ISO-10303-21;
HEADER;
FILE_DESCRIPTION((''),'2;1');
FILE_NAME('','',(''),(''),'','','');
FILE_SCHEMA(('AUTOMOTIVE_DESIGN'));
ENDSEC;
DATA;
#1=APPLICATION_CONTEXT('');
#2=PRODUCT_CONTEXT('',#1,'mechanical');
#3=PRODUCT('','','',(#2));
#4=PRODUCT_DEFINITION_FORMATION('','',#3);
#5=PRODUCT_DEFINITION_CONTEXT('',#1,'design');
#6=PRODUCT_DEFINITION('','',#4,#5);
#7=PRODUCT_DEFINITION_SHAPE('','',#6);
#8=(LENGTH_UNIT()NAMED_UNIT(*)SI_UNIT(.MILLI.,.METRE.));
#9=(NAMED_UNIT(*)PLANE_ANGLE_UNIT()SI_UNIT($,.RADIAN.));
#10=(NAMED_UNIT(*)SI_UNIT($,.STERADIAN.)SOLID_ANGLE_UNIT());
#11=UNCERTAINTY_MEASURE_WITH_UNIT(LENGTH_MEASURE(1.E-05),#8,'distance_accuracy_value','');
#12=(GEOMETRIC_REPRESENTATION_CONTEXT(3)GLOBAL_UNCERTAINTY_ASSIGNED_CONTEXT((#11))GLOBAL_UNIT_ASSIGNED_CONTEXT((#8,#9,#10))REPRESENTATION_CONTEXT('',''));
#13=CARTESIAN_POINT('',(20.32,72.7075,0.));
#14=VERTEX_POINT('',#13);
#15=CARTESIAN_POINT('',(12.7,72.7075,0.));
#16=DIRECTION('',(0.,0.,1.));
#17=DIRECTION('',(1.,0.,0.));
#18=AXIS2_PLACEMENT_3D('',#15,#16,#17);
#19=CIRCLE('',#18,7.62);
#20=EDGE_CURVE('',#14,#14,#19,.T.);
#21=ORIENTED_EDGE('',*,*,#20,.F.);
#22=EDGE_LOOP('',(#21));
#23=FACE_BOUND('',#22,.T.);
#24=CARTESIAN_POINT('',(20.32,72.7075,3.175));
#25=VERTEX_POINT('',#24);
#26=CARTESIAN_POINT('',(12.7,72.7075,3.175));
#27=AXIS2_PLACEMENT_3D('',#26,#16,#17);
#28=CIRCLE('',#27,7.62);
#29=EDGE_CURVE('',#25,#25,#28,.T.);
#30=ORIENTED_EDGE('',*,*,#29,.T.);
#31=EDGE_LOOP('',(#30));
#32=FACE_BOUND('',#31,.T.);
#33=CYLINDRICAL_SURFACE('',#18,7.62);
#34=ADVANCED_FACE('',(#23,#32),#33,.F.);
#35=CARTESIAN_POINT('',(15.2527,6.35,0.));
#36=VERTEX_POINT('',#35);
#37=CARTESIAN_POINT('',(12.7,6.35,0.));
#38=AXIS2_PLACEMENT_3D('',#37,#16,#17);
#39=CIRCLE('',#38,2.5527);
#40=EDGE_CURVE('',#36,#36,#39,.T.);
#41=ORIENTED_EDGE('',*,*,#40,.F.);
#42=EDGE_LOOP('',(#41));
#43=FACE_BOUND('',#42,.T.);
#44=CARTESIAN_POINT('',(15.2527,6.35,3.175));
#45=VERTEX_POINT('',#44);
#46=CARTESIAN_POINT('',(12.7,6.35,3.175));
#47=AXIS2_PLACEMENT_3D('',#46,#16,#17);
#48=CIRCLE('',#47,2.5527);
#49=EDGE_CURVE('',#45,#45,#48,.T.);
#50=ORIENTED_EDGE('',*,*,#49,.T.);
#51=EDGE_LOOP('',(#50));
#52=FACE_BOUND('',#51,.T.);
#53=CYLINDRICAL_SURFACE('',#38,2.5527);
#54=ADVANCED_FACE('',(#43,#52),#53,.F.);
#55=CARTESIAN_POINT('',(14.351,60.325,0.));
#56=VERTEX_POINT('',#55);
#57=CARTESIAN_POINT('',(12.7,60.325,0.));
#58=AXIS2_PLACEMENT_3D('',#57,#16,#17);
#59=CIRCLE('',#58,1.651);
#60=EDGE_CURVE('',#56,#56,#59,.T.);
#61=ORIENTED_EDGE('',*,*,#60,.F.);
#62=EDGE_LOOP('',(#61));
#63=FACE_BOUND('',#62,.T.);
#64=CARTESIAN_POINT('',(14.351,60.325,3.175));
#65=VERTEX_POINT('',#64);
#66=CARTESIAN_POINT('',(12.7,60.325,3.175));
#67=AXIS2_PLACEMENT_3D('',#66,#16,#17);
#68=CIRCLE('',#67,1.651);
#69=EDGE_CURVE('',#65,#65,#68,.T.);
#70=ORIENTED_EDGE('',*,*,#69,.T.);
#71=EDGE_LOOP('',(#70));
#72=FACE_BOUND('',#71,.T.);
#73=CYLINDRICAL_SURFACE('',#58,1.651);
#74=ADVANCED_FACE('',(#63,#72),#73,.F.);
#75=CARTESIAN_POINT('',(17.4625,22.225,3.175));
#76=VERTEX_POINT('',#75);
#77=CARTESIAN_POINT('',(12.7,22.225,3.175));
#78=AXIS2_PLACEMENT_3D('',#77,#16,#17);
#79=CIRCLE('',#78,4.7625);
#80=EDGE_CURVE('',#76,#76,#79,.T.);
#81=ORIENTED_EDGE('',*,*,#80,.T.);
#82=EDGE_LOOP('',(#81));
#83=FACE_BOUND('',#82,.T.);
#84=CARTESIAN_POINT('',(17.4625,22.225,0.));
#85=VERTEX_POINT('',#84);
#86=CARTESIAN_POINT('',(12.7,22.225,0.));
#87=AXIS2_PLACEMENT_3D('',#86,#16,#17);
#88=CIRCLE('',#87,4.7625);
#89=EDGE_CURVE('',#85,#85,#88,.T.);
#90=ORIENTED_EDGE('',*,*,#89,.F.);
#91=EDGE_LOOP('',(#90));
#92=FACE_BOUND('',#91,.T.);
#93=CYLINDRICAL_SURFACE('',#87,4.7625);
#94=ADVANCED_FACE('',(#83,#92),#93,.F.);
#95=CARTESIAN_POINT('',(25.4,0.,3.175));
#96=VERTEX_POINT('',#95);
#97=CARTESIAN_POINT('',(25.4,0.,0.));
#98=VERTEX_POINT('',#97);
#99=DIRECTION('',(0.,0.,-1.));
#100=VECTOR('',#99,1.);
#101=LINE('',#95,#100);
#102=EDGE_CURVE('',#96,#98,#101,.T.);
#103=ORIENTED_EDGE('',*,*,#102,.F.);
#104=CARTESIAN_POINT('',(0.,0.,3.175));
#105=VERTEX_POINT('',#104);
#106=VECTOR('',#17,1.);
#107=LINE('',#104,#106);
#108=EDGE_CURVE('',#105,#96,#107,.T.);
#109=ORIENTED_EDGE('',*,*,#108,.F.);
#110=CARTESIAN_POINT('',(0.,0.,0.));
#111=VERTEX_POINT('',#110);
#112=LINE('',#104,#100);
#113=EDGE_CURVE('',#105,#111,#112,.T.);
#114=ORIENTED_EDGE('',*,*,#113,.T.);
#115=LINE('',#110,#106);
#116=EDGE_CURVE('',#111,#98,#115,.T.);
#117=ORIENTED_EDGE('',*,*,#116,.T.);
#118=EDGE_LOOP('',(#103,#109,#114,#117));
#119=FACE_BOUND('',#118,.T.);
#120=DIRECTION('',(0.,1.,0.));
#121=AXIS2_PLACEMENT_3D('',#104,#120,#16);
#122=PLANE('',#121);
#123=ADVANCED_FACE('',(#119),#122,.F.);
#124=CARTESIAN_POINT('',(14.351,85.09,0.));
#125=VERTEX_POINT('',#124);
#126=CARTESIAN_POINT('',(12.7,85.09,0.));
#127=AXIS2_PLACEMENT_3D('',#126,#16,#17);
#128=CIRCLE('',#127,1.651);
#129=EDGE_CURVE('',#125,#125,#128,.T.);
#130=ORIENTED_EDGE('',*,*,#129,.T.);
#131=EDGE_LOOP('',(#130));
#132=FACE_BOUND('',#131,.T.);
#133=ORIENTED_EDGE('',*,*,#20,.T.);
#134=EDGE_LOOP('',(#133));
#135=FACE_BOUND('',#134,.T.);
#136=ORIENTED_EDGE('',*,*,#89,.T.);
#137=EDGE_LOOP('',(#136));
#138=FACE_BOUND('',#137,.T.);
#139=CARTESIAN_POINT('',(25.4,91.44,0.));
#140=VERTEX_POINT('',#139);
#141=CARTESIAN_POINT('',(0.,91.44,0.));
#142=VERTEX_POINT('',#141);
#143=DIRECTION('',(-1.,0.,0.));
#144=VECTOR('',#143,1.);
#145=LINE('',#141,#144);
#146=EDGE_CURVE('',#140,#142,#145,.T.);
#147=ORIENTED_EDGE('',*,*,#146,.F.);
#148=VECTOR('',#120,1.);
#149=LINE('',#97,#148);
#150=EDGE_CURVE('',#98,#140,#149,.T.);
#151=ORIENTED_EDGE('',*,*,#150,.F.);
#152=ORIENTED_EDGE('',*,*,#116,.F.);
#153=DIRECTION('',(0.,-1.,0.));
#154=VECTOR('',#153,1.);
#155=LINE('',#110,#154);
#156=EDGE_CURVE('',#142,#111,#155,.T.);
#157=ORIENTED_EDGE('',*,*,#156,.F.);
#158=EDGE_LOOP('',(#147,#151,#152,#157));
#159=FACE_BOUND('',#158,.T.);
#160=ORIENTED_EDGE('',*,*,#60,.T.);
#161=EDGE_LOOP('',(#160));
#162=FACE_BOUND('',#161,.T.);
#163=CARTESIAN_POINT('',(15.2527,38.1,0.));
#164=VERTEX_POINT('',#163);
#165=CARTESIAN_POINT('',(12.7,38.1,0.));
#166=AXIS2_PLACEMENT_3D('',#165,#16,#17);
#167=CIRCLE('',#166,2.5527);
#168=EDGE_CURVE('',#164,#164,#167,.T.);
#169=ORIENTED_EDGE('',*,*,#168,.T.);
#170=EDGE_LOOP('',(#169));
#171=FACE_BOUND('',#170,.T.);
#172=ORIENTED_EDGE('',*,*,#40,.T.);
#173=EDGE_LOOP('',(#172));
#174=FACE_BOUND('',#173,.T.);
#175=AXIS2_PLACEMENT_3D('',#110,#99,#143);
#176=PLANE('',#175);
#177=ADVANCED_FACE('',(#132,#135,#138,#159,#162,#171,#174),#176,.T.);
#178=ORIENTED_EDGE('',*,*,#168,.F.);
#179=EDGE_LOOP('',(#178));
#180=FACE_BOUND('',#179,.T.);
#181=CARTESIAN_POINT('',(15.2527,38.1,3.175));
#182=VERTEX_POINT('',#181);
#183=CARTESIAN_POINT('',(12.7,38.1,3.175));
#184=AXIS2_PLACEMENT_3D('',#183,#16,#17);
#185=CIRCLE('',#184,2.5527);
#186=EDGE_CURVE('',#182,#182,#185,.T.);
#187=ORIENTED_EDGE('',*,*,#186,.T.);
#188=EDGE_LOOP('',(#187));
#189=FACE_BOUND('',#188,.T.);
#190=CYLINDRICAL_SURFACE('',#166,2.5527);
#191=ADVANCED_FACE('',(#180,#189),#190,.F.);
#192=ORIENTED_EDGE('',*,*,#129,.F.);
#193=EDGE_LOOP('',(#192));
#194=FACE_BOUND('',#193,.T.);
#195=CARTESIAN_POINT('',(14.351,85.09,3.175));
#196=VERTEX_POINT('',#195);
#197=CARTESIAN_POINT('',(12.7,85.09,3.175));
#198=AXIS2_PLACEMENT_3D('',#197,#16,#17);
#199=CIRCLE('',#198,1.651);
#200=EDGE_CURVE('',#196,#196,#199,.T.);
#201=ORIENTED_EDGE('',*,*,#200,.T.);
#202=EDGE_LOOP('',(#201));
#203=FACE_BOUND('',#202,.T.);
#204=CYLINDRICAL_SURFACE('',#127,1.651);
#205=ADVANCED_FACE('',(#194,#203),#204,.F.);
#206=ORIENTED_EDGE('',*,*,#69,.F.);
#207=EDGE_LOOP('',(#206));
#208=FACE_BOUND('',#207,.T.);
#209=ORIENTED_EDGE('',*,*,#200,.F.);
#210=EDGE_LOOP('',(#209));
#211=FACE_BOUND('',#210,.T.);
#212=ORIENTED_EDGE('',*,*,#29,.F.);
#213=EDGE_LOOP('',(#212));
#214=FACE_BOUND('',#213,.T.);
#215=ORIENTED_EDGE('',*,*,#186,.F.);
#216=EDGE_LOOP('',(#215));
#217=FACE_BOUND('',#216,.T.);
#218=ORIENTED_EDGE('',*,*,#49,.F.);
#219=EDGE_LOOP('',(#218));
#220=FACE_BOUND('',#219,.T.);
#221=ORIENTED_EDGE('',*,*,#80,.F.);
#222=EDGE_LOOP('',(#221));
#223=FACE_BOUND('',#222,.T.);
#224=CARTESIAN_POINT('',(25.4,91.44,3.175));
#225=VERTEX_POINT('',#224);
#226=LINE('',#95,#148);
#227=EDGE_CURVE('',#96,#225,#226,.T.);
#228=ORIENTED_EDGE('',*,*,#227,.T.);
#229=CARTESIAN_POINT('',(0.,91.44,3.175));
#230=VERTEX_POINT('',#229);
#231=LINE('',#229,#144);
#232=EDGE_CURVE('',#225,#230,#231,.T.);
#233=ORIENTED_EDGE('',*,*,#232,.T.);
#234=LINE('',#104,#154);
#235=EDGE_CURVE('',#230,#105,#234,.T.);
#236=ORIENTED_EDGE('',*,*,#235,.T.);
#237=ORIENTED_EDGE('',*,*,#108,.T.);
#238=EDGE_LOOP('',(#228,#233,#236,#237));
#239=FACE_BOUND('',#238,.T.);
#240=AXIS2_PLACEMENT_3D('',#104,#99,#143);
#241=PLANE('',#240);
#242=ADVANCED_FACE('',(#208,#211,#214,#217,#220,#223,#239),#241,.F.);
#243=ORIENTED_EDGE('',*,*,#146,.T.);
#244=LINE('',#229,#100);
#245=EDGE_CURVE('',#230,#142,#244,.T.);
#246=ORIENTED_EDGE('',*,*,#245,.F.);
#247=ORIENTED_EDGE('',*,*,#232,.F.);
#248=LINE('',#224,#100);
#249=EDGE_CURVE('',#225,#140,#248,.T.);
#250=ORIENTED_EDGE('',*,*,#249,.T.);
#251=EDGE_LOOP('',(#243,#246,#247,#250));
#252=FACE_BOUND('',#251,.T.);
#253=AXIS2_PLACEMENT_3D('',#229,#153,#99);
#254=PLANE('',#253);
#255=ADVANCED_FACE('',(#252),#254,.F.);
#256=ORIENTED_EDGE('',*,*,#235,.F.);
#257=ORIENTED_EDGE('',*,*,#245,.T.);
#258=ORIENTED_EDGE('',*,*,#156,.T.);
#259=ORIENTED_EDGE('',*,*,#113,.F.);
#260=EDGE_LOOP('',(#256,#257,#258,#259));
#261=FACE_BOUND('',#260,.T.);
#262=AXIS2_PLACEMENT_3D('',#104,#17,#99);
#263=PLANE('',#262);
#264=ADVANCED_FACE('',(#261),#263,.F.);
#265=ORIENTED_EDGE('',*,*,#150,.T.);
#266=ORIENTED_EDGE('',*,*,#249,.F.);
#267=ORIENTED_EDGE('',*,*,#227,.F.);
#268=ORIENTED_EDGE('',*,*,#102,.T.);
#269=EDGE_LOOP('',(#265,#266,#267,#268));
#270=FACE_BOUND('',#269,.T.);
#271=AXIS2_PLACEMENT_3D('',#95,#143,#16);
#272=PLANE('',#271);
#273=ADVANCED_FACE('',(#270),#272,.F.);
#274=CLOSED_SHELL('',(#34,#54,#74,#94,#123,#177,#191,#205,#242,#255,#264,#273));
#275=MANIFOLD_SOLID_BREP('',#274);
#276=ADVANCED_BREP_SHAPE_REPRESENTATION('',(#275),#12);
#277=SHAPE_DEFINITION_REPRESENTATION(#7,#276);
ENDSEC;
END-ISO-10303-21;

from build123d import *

# Parameters (mm, degrees)
SKETCH1_W           = 25.4
SKETCH1_H           = 91.44
BOSS_EXTRUDE1_DEPTH = 3.175
SKETCH2_R           = 2.5527
SKETCH2_R_2         = 4.7625
CUT_EXTRUDE1_DEPTH  = 3.175
SKETCH3_R           = 1.651
SKETCH3_R_2         = 7.62
CUT_EXTRUDE2_DEPTH  = 3.175


with BuildPart() as part:
    # Sketch1 → Boss-Extrude1 (new body)
    with BuildSketch(Plane.XY):
        with Locations((12.7, 45.72)):
            Rectangle(SKETCH1_W, SKETCH1_H)
    extrude(amount=BOSS_EXTRUDE1_DEPTH)

    # Sketch2 → Cut-Extrude1 (cut)
    with BuildSketch(Plane.XY.offset(3.175)):
        with Locations((12.7, 6.35)):
            Circle(SKETCH2_R)
        with Locations((12.7, 38.1)):
            Circle(SKETCH2_R)
        with Locations((12.7, 22.225)):
            Circle(SKETCH2_R_2)
    extrude(amount=-CUT_EXTRUDE1_DEPTH, mode=Mode.SUBTRACT)

    # Sketch3 → Cut-Extrude2 (cut)
    with BuildSketch(Plane.XY.offset(3.175)):
        with Locations((12.7, 85.09)):
            Circle(SKETCH3_R)
        with Locations((12.7, 60.325)):
            Circle(SKETCH3_R)
        with Locations((12.7, 72.7075)):
            Circle(SKETCH3_R_2)
    extrude(amount=-CUT_EXTRUDE2_DEPTH, mode=Mode.SUBTRACT)


solid = part.part
